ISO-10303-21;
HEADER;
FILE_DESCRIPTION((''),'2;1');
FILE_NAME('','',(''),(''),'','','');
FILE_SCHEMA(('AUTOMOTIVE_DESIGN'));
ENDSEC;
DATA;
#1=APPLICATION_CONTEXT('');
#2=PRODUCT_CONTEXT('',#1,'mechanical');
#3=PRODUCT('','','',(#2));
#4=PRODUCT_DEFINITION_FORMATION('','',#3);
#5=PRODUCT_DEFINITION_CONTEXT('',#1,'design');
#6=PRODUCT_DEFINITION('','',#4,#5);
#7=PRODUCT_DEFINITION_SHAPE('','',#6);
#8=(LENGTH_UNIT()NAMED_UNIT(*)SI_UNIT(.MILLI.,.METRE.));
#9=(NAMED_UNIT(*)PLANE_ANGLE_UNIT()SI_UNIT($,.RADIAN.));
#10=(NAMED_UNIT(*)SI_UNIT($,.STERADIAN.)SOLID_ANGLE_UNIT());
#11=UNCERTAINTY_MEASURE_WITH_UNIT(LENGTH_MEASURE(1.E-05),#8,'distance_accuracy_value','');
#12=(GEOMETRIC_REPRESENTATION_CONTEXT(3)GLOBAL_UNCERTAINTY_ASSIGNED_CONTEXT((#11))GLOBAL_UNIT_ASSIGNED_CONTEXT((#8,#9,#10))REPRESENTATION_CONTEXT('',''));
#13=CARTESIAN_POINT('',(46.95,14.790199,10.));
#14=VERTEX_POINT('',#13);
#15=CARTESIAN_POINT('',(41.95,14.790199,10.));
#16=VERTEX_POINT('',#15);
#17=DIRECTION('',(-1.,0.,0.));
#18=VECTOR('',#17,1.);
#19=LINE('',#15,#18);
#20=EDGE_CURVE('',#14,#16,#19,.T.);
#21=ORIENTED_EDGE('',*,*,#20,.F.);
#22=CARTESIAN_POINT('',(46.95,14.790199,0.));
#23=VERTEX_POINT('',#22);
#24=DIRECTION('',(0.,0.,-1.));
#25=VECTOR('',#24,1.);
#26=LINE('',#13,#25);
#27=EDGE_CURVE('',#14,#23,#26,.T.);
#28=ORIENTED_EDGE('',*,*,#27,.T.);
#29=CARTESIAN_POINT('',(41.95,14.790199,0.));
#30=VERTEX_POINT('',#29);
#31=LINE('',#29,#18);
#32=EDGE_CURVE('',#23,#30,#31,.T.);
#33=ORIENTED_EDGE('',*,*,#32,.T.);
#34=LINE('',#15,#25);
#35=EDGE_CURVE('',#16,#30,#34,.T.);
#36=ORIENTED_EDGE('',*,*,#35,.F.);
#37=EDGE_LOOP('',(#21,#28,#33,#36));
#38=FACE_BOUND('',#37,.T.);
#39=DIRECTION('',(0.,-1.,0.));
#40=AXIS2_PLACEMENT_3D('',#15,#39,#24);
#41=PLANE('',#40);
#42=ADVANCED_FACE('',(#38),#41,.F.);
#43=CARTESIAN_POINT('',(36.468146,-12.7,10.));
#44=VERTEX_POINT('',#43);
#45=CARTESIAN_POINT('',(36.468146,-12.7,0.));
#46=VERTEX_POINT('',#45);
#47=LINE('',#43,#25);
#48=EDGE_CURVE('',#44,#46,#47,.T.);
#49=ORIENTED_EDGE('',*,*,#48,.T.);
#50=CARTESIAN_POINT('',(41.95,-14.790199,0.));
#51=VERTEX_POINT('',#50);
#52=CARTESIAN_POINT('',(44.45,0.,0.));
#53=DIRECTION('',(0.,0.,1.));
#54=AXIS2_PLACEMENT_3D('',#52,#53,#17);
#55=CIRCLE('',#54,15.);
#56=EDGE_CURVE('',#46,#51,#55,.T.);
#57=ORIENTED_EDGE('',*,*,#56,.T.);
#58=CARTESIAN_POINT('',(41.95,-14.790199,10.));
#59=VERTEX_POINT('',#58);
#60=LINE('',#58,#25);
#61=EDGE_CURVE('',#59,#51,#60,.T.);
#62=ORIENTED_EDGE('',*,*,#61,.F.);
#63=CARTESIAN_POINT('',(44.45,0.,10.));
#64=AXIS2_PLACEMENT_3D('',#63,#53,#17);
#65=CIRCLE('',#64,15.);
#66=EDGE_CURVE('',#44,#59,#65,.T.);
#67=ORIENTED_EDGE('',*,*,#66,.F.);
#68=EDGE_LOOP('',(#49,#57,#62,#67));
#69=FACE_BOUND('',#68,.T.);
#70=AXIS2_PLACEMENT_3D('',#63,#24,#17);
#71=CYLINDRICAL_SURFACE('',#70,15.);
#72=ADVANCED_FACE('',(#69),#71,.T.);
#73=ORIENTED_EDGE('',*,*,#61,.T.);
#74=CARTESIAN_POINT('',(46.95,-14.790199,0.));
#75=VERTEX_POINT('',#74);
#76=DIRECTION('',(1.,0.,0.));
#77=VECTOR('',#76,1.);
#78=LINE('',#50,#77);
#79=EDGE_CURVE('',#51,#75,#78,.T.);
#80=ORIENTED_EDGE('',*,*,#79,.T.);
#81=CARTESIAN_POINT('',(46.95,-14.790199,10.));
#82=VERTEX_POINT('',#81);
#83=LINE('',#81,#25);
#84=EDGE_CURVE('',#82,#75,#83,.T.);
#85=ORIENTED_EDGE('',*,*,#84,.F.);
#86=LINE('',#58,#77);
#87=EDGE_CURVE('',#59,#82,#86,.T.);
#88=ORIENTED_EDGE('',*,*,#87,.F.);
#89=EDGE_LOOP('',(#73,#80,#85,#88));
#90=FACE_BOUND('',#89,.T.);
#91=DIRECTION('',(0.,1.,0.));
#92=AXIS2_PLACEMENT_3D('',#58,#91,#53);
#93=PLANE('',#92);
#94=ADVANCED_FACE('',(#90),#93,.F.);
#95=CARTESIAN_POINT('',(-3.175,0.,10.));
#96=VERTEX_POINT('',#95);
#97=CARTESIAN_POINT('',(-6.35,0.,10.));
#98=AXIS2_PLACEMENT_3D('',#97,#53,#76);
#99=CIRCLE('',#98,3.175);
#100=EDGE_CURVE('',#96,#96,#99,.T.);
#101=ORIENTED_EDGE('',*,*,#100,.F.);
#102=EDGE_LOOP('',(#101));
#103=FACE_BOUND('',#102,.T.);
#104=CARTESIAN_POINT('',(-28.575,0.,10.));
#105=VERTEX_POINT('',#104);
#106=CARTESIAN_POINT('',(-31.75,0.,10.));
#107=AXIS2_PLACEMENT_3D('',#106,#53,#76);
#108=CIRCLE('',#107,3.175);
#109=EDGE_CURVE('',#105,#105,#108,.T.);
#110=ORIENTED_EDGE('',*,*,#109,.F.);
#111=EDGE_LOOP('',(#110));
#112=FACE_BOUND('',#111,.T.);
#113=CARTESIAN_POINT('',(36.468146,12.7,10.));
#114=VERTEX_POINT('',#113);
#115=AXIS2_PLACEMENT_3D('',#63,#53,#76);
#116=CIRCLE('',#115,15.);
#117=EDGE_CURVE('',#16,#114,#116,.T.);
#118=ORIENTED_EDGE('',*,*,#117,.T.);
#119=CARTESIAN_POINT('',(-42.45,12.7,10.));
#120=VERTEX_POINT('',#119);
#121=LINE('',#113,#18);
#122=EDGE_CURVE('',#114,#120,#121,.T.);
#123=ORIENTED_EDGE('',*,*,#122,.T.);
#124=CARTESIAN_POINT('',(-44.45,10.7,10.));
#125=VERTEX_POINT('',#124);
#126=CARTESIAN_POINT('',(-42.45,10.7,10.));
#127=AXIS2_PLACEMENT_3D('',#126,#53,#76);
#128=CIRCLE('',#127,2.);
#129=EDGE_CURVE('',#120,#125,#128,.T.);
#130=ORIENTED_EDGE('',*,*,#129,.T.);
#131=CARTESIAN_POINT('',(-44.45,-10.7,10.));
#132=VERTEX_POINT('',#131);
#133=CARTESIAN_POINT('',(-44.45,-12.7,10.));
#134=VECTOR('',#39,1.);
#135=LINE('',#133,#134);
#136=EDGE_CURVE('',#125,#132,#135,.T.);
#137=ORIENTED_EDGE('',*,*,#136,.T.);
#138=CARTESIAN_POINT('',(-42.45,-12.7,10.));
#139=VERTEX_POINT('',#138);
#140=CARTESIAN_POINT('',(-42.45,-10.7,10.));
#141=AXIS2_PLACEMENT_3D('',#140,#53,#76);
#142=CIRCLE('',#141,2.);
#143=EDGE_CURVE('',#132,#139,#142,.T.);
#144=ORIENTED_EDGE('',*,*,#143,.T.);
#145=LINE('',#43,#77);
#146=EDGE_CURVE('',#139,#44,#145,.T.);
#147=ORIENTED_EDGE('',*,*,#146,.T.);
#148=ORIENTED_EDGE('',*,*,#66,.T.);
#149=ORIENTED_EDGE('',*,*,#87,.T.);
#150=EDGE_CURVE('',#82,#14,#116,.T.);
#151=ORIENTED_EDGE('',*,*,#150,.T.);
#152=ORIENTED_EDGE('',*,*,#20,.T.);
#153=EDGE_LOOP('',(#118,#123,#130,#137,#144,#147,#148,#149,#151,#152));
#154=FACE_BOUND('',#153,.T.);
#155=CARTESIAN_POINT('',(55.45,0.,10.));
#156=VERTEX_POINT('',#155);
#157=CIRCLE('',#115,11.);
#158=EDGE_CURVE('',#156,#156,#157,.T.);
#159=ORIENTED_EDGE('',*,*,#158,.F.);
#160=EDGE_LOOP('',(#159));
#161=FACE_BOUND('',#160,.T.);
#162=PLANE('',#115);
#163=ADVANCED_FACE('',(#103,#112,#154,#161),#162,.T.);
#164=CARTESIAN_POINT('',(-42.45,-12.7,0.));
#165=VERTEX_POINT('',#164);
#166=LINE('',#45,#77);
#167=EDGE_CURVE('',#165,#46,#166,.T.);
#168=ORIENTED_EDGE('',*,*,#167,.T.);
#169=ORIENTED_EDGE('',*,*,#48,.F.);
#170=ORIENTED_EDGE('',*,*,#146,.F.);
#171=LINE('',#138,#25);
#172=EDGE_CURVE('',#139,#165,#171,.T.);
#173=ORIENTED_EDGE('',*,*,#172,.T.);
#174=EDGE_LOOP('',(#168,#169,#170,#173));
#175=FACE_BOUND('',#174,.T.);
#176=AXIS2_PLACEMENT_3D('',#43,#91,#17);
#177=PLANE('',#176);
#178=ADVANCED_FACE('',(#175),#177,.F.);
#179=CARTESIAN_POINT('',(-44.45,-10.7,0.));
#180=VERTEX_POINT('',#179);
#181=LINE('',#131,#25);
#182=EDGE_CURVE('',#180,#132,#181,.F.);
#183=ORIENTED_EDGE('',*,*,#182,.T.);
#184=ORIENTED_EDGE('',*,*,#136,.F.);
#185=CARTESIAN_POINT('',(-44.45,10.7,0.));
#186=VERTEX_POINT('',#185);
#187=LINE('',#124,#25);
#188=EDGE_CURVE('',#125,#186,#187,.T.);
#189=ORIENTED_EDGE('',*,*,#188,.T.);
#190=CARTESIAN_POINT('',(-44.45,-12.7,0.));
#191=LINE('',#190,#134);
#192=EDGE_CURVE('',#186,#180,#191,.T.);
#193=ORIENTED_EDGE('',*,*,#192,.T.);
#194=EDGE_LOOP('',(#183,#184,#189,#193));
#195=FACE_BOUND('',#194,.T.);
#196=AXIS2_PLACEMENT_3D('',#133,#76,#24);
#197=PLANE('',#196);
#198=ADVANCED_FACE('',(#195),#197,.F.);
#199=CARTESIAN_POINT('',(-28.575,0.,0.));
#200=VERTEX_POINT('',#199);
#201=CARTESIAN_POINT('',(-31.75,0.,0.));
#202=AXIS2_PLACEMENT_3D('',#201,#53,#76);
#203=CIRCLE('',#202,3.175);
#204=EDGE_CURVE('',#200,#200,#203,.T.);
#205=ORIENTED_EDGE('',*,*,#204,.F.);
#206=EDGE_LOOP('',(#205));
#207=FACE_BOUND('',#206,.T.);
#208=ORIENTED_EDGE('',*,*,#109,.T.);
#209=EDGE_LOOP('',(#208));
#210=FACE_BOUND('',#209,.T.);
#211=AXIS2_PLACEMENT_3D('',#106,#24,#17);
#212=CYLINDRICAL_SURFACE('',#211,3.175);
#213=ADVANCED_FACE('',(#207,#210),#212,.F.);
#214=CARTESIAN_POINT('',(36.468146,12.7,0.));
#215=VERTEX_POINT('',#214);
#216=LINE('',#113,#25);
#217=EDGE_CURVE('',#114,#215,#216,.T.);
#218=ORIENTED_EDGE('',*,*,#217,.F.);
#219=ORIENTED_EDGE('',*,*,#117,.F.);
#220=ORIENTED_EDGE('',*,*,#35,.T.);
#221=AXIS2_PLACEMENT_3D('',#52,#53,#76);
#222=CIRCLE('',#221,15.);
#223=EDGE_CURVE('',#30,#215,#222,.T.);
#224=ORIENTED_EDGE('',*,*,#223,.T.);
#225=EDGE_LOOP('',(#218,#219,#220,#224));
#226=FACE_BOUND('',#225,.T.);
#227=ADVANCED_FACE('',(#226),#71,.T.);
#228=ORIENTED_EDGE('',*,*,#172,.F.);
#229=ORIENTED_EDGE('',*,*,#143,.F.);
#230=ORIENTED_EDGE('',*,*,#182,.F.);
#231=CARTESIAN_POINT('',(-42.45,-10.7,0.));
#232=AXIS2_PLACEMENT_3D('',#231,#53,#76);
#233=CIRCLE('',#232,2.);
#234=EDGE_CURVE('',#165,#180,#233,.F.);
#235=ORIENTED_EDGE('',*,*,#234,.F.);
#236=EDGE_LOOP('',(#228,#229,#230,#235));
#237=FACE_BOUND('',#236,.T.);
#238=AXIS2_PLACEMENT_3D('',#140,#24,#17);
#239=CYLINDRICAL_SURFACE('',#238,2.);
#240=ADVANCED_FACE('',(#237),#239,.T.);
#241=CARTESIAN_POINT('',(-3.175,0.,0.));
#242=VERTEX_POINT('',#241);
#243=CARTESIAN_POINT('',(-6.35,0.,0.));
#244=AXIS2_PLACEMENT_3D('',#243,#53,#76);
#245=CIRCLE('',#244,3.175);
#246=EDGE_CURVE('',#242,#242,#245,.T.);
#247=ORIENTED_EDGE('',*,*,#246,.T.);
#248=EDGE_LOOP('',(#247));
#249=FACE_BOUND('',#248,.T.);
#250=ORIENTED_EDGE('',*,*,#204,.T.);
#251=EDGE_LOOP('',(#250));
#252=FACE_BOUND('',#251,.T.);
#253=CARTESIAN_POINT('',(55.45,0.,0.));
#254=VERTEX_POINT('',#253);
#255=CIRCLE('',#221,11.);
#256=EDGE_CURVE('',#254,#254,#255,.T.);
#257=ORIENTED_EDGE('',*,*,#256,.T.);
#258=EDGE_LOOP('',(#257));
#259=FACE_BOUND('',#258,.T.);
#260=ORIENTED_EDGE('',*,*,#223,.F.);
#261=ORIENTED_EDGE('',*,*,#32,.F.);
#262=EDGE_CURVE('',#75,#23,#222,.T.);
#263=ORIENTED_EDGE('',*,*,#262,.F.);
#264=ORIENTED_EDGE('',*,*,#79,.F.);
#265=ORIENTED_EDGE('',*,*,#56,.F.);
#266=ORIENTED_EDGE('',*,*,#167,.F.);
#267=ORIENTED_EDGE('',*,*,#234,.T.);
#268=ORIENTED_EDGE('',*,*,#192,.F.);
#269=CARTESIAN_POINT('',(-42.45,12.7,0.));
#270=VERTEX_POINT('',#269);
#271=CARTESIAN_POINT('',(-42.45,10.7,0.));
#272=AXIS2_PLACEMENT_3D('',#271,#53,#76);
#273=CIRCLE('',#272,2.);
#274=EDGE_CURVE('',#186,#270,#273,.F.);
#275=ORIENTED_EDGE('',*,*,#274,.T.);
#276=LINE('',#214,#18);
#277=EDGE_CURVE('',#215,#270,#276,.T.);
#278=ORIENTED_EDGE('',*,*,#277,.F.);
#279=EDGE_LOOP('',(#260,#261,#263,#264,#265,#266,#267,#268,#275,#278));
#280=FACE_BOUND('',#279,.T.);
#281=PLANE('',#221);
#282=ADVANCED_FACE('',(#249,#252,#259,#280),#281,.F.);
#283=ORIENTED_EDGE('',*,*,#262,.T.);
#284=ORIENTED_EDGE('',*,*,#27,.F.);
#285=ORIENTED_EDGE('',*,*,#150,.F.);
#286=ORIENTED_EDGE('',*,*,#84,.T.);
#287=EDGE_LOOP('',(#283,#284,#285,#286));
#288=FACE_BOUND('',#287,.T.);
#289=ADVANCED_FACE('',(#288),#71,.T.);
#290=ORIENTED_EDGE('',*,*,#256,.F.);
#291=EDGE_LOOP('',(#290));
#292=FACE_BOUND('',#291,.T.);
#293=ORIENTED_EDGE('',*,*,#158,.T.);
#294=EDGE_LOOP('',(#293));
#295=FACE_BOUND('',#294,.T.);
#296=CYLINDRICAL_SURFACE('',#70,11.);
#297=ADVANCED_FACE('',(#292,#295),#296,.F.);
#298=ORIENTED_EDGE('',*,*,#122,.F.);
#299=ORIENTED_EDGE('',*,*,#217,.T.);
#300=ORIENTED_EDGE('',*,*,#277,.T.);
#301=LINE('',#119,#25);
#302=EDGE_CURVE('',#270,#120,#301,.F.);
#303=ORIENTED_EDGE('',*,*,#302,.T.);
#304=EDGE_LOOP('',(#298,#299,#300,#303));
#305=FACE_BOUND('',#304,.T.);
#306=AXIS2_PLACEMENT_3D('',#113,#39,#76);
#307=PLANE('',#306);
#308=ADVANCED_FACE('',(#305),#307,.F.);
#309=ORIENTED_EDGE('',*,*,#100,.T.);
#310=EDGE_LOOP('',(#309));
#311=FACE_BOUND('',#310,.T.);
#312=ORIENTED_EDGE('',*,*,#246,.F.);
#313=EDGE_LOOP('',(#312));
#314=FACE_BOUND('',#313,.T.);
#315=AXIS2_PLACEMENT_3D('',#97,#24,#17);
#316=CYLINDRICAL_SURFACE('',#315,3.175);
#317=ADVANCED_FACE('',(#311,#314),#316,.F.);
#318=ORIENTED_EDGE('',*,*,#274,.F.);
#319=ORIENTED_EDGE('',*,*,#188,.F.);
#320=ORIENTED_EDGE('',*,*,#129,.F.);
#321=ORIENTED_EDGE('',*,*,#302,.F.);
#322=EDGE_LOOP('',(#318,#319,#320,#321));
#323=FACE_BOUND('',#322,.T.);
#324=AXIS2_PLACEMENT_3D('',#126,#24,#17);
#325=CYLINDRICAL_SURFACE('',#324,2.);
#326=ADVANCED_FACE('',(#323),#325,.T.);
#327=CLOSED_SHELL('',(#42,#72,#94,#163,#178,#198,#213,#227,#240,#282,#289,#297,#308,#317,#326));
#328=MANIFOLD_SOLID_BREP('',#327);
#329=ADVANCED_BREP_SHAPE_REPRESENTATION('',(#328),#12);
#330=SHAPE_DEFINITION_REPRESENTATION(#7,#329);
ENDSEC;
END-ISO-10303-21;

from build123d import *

# Parameters (mm, degrees)
SKETCH1_R           = 3.175
SKETCH1_R_2         = 11
BOSS_EXTRUDE1_DEPTH = 10
FILLET3_R           = 2


with BuildPart() as part:
    # Sketch1 → Boss-Extrude1 (new body)
    with BuildSketch(Plane.XY):
        with BuildLine():
            Line((-44.45, -12.7), (-44.45, 12.7))
            Line((-44.45, 12.7), (36.468145579, 12.7))
            ThreePointArc((36.468145579, 12.7), (39.105886278, 14.015721477), (41.95, 14.790199458))
            Line((41.95, 14.790199458), (46.95, 14.790199458))
            ThreePointArc((46.95, 14.790199458), (59.45, 0), (46.95, -14.790199458))
            Line((46.95, -14.790199458), (41.95, -14.790199458))
            ThreePointArc((41.95, -14.790199458), (39.105886278, -14.015721477), (36.468145579, -12.7))
            Line((36.468145579, -12.7), (-44.45, -12.7))
        make_face()
        with Locations((-31.75, 0)):
            Circle(SKETCH1_R, mode=Mode.SUBTRACT)
        with Locations((44.45, 0)):
            Circle(SKETCH1_R_2, mode=Mode.SUBTRACT)
        with Locations((-6.35, 0)):
            Circle(SKETCH1_R, mode=Mode.SUBTRACT)
    extrude(amount=BOSS_EXTRUDE1_DEPTH)

    # Fillet3
    fillet3_edges = [part.edges().sort_by_distance(p)[0] for p in [
        (-44.45, -12.7, 5),
        (-44.45, 12.7, 5),
    ]]
    fillet(fillet3_edges, radius=FILLET3_R)


solid = part.part
